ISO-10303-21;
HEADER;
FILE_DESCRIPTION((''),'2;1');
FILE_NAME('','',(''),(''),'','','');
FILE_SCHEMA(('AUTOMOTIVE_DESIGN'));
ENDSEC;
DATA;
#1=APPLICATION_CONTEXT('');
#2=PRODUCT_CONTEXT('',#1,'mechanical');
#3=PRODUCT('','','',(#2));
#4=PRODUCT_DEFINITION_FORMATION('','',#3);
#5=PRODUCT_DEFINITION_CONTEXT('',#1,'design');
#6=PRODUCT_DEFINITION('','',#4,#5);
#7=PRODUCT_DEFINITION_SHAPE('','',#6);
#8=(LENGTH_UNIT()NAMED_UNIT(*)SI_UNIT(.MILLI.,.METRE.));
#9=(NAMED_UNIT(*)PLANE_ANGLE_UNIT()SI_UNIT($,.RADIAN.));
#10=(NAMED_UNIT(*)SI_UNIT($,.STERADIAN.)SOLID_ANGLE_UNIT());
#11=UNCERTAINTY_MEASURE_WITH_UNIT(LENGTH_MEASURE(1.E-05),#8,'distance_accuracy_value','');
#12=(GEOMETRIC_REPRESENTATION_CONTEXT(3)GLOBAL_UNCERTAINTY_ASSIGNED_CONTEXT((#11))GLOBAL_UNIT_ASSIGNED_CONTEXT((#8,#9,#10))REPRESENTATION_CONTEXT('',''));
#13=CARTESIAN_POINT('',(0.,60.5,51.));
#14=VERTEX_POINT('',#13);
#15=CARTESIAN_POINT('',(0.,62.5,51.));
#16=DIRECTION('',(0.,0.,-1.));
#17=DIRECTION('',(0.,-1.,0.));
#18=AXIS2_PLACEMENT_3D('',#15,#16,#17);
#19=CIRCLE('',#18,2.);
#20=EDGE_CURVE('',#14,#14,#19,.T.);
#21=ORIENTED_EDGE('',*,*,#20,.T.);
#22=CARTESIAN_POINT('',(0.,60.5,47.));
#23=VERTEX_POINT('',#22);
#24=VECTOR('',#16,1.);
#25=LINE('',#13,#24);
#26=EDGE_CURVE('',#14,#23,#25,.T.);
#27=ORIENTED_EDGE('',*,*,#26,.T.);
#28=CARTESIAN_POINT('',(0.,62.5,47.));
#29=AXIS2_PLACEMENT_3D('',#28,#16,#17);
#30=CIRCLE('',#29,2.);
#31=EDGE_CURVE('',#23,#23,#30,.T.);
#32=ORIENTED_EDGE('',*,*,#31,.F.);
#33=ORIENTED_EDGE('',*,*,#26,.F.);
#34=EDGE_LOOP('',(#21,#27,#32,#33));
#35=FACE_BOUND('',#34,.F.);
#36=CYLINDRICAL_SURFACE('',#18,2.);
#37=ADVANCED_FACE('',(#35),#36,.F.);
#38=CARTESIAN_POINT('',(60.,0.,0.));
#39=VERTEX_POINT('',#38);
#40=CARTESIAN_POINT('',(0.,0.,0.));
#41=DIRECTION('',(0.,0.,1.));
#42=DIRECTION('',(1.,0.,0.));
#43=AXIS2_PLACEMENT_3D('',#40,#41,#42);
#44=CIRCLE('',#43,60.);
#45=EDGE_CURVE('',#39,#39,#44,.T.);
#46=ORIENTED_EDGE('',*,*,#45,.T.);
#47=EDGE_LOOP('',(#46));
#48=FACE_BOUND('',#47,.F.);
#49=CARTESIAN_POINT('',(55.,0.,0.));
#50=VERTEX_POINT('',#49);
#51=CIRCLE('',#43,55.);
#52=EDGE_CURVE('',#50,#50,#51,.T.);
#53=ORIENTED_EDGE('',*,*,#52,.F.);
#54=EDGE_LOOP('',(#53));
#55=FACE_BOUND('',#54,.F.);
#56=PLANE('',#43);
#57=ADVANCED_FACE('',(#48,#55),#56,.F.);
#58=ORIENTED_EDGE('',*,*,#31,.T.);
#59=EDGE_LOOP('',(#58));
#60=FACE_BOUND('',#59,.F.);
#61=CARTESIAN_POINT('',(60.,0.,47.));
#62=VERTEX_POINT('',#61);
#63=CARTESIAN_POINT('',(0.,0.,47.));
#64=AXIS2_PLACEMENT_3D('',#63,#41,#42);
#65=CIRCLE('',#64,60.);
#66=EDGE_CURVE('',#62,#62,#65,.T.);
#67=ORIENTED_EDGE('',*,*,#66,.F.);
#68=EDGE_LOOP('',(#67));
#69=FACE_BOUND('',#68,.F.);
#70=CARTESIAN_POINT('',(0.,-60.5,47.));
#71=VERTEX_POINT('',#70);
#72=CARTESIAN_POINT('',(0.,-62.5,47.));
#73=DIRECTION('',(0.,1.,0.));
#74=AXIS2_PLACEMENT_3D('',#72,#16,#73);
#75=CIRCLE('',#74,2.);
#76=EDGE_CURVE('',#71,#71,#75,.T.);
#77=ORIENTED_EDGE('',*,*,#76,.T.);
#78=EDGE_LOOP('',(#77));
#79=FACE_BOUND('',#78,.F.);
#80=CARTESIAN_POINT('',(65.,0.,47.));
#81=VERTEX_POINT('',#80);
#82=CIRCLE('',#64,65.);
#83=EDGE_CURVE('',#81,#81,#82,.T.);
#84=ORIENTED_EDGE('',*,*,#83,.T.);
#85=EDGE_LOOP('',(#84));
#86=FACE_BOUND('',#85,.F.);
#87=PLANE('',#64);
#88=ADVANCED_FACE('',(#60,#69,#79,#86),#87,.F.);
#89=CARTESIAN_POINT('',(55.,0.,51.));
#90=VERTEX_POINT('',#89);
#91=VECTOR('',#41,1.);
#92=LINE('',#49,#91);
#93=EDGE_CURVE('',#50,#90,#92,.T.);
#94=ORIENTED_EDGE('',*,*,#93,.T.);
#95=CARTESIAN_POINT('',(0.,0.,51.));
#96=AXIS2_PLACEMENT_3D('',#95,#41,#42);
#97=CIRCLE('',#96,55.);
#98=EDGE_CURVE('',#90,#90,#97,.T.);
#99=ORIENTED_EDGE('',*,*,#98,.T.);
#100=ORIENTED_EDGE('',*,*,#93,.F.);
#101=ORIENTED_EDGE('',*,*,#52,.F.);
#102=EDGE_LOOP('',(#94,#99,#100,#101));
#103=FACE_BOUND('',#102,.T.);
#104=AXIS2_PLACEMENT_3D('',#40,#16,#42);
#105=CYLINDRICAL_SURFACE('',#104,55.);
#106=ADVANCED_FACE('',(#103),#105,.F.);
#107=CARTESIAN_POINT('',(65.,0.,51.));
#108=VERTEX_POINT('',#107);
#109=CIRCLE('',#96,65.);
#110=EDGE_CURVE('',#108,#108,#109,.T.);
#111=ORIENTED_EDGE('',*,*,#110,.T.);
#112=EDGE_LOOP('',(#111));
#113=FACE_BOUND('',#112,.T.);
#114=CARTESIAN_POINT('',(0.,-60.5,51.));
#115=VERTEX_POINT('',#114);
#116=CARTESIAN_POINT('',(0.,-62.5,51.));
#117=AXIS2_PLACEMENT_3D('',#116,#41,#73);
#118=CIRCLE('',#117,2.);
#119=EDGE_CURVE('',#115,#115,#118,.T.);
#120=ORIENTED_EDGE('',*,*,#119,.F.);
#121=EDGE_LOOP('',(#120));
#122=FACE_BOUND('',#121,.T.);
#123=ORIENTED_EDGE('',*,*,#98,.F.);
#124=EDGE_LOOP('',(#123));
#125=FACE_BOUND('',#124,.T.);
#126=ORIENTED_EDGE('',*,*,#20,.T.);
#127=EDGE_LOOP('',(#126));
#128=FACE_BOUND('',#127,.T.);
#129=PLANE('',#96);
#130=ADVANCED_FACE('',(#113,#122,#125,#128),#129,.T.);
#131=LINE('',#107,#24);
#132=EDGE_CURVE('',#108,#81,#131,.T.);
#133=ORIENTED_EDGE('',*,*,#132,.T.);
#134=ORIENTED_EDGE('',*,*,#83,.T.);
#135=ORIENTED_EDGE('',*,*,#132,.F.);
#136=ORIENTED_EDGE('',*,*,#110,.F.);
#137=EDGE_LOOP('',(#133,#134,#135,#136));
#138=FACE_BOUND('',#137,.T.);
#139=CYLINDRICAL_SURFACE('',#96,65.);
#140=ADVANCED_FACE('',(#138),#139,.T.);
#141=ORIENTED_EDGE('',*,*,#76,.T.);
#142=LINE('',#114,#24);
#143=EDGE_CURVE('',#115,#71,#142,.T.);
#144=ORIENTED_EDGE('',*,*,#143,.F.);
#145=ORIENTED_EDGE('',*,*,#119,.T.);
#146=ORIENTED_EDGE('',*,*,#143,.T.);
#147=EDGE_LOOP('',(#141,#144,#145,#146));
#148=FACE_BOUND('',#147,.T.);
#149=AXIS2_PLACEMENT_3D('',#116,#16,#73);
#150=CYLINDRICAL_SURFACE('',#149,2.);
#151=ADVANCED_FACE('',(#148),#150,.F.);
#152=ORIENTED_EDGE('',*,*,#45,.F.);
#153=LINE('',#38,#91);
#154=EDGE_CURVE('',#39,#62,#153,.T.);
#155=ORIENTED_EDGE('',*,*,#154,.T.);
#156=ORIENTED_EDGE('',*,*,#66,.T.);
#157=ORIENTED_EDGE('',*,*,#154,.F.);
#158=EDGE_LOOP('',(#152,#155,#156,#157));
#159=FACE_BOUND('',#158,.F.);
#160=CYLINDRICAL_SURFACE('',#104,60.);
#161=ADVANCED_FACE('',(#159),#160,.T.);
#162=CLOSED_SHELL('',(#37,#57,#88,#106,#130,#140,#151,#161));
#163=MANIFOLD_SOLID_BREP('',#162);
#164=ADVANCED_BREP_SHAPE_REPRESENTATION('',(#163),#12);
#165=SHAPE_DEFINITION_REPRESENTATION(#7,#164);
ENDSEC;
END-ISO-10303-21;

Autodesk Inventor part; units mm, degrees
ref_plane "YZ Plane" through (0, 0, 0) normal (1, 0, 0) x (0, 1, 0)
ref_plane "XZ Plane" through (0, 0, 0) normal (0, 1, 0) x (-1, 0, 0)
ref_plane "XY Plane" through (0, 0, 0) normal (0, 0, 1) x (1, 0, 0)
sketch "Эскиз1" plane through (0, 0, 0) normal (0, 0, 1) x (1, 0, 0)
  circle A0 centre (0, 0) radius 60
  circle A1 centre (0, 0) radius 55
  dimension "d0" = 120
  dimension "d1" = 110
extrude "Выдавливание1" add sketch "Эскиз1" along normal blind 51
sketch "Эскиз2" plane through (0, 0, 51) normal (0, 0, 1) x (1, 0, 0)
  circle A0 centre (0, 0) radius 60 projected
  circle A1 centre (0, 0) radius 65
extrude "Выдавливание2" add sketch "Эскиз2" against normal blind 4
sketch "Эскиз3" plane through (0, 0, 51) normal (0, 0, 1) x (1, 0, 0)
  circle A0 centre (0, 0) radius 55 projected
  line L0 (0, 55) -> (0, 62.5)
  dimension "d6" = 7.5
hole "Отверстие1" at (0, 62.5, 51) direction (0, 0, -1) diameter 4 depth 15 tip angle 118
mirror "Зеркальное отражение1" about plane through (0, 0, 0) normal (0, 1, 0) of "Отверстие1"
properties part number "Втулка под палец" material "Бронза, литейная"
